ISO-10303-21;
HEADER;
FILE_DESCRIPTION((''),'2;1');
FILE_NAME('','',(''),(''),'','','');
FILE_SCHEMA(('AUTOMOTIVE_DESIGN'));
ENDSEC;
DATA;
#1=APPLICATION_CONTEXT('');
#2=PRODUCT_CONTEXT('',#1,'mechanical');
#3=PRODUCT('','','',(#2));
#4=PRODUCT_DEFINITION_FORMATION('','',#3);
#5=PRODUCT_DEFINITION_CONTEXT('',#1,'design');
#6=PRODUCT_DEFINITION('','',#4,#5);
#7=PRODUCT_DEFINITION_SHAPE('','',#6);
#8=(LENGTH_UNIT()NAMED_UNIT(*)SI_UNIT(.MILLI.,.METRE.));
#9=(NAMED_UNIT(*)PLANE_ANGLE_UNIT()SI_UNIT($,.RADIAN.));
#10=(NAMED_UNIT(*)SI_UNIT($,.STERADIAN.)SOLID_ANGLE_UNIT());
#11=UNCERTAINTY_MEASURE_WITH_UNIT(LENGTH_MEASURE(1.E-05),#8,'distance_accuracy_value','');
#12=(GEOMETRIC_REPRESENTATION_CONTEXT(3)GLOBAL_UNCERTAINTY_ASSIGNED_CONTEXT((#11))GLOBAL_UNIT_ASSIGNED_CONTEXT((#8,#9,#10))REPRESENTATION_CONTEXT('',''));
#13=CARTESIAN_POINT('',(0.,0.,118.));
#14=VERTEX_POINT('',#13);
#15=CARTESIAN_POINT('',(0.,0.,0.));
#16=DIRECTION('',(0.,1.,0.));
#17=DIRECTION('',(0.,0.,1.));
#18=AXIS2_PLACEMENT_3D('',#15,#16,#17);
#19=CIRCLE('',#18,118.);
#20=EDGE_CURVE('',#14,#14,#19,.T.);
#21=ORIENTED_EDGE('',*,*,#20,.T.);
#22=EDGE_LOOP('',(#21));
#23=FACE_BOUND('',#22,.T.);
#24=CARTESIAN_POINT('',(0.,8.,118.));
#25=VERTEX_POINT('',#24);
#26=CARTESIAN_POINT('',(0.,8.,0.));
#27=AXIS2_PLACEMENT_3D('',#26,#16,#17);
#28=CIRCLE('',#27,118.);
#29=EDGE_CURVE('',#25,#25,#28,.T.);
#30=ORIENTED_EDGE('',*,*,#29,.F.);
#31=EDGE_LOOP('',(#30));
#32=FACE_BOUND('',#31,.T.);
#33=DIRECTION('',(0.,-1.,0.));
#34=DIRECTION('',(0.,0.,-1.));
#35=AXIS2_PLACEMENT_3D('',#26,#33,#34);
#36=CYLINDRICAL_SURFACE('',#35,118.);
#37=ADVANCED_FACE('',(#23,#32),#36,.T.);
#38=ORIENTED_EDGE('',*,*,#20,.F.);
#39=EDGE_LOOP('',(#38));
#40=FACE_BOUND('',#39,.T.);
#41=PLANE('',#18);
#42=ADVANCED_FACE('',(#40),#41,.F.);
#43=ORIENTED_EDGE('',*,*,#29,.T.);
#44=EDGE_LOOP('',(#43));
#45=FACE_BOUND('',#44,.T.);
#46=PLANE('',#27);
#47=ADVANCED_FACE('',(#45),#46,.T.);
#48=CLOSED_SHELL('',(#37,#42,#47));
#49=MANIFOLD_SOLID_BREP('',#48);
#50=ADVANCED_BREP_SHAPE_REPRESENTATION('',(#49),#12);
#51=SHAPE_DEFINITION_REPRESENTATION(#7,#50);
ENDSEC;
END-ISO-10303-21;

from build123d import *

# Parameters (mm, degrees)
SKETCH1_R           = 118
BOSS_EXTRUDE1_DEPTH = 8


with BuildPart() as part:
    # Sketch1 → Boss-Extrude1 (new body)
    with BuildSketch(Plane(origin=(0, 0, 0), x_dir=(1, 0, 0), z_dir=(0, 1, 0))):
        with Locations(Location((0, 0, 0), (0, 0, 270))):
            Circle(SKETCH1_R)
    extrude(amount=BOSS_EXTRUDE1_DEPTH)


solid = part.part
